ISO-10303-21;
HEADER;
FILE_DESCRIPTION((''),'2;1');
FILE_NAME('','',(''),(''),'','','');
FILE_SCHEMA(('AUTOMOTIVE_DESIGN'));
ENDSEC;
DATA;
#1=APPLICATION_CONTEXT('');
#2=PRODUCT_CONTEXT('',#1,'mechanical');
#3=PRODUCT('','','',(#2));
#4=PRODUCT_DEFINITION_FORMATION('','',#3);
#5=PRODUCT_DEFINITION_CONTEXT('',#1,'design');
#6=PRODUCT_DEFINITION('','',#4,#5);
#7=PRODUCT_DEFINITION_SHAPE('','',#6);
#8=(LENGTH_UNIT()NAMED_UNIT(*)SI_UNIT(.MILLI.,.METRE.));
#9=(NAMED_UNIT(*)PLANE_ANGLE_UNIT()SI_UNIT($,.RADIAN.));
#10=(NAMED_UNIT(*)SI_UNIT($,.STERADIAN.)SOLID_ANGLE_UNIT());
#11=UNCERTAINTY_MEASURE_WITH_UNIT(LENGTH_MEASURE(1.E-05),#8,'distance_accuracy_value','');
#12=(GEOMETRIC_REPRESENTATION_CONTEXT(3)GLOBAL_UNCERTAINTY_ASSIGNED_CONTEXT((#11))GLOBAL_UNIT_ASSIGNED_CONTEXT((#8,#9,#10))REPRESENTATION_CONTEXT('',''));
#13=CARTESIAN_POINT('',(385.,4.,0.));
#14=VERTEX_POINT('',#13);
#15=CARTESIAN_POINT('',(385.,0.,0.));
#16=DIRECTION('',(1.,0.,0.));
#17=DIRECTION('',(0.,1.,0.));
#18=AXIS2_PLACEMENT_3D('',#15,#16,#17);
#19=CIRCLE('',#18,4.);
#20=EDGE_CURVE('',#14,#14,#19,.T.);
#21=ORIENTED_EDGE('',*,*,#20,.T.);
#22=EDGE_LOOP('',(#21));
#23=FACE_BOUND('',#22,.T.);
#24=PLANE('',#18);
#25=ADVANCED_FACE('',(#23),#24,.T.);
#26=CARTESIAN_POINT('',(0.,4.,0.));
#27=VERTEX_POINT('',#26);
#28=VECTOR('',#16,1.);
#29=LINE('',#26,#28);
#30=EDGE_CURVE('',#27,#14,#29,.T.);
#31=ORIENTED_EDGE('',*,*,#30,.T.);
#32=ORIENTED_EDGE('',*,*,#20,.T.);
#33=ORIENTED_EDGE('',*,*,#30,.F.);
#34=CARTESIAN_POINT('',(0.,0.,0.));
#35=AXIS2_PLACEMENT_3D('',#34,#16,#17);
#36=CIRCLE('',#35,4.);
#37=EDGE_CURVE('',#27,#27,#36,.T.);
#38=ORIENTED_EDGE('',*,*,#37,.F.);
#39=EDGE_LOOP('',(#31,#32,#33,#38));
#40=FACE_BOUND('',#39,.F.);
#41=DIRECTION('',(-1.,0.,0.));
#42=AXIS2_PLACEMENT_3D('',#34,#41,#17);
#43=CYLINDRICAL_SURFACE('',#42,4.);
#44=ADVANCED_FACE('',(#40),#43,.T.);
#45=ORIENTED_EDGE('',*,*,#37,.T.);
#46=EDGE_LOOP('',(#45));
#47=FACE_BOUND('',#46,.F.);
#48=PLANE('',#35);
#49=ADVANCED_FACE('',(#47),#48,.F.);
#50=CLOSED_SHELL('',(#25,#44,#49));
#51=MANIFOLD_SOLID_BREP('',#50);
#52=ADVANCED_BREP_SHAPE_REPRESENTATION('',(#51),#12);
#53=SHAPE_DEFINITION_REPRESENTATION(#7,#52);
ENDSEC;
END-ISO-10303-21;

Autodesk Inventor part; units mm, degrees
ref_plane "YZ Plane" through (0, 0, 0) normal (1, 0, 0) x (0, 1, 0)
ref_plane "XZ Plane" through (0, 0, 0) normal (0, 1, 0) x (-1, 0, 0)
ref_plane "XY Plane" through (0, 0, 0) normal (0, 0, 1) x (1, 0, 0)
sketch "Sketch1" plane through (0, 0, 0) normal (1, 0, 0) x (0, 1, 0)
  circle A0 centre (0, 0) radius 4
  dimension "d0" = 8
extrude "Extrusion1" add sketch "Sketch1" along normal blind 385
properties part number "barrilla_aluminio_385"
